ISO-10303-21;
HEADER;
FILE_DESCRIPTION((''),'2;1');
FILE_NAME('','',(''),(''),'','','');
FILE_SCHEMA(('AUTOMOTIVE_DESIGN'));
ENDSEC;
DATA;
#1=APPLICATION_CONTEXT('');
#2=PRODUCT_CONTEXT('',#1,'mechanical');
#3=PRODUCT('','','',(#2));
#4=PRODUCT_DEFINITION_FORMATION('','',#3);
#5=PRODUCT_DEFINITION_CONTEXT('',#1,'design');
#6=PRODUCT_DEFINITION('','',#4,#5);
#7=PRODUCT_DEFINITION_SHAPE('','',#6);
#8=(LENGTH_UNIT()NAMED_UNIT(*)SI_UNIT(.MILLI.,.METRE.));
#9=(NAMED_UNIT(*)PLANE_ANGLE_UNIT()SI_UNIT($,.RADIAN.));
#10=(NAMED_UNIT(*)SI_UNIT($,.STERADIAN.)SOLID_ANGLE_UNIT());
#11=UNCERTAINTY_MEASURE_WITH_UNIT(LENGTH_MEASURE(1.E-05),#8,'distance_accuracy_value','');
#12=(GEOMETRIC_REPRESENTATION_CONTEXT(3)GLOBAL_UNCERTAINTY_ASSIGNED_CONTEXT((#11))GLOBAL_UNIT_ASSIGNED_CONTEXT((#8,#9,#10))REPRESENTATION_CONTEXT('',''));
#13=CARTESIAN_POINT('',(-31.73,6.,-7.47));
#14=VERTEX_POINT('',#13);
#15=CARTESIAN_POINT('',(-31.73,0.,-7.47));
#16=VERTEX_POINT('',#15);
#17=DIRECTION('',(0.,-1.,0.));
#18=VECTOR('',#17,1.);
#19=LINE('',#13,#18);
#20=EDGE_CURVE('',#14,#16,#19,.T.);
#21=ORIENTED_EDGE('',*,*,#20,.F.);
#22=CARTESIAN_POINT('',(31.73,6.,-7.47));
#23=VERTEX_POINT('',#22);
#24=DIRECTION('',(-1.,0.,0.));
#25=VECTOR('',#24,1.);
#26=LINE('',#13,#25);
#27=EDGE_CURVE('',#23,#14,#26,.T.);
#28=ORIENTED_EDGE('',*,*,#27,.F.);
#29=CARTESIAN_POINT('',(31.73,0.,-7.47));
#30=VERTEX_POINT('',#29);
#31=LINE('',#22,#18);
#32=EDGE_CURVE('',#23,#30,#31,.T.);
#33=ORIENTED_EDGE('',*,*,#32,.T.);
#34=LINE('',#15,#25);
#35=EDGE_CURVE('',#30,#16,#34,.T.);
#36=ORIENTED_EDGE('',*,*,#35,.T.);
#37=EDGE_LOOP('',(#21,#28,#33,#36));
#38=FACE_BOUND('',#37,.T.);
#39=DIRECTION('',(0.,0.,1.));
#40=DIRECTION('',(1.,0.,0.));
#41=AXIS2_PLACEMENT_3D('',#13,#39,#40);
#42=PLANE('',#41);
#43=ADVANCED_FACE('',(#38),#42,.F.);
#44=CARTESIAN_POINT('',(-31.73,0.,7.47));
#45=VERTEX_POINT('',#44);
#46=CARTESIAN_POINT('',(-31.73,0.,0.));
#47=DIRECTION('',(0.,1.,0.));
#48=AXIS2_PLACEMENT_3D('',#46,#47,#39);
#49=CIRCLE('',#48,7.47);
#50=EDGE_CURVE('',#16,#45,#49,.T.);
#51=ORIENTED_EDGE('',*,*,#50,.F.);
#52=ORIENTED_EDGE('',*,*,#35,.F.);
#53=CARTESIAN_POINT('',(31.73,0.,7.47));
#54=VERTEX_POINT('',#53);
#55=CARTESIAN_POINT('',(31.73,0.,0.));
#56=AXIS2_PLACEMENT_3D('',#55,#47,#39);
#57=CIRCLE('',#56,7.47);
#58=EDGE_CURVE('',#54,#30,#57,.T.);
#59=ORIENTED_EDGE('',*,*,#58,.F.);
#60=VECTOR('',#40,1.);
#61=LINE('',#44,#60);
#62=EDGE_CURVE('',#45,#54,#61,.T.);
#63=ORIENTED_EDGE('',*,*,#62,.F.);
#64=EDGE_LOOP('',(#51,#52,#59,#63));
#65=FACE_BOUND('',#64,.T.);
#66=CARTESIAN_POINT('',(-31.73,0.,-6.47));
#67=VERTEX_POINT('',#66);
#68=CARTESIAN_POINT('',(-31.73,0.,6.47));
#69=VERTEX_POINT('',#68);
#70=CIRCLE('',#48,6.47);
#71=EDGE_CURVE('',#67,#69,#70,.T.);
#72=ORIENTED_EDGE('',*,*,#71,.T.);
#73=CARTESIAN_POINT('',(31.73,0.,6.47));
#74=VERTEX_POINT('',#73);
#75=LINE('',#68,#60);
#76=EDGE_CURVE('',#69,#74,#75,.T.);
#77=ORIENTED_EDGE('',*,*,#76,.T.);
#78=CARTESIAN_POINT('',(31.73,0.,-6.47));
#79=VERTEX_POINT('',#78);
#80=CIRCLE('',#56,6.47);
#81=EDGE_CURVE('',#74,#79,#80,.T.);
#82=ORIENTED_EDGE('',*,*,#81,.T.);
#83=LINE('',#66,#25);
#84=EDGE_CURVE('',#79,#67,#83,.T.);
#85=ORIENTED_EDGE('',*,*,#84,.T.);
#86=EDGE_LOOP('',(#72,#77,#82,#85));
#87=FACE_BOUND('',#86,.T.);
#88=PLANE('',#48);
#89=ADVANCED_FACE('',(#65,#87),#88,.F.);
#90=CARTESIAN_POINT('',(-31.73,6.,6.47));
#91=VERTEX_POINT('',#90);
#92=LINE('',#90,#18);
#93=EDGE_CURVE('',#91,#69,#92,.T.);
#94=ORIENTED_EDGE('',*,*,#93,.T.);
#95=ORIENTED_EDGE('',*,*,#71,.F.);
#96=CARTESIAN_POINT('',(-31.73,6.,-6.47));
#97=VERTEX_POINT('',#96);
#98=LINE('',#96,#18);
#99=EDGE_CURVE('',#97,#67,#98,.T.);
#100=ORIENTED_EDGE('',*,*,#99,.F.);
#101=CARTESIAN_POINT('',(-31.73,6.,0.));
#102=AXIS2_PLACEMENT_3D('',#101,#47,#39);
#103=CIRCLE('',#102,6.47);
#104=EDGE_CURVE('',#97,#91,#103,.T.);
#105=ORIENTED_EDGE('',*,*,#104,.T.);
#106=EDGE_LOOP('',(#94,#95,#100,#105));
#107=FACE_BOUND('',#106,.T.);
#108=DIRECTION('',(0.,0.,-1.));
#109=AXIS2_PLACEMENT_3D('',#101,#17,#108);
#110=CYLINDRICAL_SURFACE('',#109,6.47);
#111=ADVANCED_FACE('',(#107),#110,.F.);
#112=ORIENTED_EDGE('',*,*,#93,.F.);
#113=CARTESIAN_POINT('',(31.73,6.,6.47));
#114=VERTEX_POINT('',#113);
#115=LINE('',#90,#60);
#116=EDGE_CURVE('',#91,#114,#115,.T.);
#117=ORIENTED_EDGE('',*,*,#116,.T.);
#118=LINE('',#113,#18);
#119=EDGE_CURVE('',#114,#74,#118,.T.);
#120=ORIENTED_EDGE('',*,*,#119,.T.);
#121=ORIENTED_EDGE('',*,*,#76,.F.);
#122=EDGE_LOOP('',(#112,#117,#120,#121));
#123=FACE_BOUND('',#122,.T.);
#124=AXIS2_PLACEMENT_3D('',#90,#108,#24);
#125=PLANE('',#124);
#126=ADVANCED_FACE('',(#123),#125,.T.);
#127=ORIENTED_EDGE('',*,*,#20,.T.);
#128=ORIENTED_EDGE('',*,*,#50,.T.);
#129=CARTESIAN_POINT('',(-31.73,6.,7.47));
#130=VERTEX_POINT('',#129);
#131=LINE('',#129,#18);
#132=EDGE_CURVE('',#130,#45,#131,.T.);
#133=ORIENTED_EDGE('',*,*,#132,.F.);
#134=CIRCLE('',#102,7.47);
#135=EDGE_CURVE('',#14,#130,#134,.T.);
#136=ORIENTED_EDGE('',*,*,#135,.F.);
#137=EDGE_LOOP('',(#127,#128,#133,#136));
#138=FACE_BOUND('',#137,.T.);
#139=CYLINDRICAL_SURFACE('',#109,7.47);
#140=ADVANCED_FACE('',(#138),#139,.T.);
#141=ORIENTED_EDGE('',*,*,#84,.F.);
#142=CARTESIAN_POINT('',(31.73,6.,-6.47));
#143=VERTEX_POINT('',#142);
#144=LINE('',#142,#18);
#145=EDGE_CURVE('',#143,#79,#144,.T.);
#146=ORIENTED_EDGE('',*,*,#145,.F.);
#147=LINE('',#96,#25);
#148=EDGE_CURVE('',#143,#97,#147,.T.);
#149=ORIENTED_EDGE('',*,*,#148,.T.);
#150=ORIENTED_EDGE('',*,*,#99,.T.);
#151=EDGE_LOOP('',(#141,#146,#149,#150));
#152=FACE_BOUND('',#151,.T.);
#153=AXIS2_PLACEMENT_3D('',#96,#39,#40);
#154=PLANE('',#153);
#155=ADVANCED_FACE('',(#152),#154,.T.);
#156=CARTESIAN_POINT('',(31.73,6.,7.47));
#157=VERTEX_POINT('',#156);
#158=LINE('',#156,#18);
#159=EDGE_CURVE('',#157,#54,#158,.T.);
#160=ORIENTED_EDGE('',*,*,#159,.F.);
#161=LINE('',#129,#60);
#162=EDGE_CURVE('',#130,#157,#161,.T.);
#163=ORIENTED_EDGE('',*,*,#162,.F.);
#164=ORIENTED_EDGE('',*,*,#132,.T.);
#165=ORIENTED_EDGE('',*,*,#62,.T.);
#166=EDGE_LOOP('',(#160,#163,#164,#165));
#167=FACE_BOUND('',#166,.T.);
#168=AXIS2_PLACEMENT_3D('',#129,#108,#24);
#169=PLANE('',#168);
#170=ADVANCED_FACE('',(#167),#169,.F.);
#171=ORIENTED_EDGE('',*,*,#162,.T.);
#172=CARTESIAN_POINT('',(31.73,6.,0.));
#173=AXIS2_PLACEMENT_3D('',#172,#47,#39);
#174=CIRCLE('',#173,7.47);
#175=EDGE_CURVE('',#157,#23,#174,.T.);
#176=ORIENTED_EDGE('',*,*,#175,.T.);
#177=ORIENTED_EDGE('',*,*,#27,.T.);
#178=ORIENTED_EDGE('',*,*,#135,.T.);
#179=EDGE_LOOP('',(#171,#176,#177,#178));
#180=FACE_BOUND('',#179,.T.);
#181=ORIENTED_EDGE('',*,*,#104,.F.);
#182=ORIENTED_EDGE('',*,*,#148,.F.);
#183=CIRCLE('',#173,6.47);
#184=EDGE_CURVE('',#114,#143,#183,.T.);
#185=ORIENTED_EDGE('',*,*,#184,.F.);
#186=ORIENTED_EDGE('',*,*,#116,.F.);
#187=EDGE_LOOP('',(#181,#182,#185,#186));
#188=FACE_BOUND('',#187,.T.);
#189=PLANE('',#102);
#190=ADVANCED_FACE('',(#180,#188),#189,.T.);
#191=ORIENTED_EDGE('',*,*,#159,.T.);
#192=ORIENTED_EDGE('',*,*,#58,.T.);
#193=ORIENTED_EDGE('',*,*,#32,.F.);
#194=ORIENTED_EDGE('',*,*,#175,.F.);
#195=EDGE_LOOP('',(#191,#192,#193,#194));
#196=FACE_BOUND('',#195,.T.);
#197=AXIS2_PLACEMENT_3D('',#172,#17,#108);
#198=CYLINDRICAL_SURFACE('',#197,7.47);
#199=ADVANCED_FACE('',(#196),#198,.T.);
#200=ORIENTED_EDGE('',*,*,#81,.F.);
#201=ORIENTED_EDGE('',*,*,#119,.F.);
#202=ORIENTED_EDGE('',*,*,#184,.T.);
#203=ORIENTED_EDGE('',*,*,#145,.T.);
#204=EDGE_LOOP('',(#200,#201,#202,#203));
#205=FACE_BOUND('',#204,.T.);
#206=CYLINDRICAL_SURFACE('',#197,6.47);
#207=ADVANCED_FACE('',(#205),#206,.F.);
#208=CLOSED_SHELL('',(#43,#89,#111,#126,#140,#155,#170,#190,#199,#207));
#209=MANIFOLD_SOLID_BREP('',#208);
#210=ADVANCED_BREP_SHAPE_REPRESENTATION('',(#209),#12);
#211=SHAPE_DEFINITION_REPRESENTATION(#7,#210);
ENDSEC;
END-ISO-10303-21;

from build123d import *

# Parameters (mm, degrees)
EXTRUDE_1_DEPTH = 6


with BuildPart() as part:
    # 草图1 → 凸台-拉伸1 (new body)
    with BuildSketch(Plane(origin=(0, 0, 0), x_dir=(1, 0, 0), z_dir=(0, 1, 0))):
        with BuildLine():
            Line((-31.73, 7.47), (31.73, 7.47))
            ThreePointArc((31.73, 7.47), (39.2, 0), (31.73, -7.47))
            Line((31.73, -7.47), (-31.73, -7.47))
            ThreePointArc((-31.73, -7.47), (-39.2, 0), (-31.73, 7.47))
        make_face()
        with BuildLine():
            Line((-31.73, 6.47), (31.73, 6.47))
            ThreePointArc((31.73, 6.47), (38.2, 0), (31.73, -6.47))
            Line((31.73, -6.47), (-31.73, -6.47))
            ThreePointArc((-31.73, -6.47), (-38.2, 0), (-31.73, 6.47))
        make_face(mode=Mode.SUBTRACT)
    extrude(amount=EXTRUDE_1_DEPTH)


solid = part.part
